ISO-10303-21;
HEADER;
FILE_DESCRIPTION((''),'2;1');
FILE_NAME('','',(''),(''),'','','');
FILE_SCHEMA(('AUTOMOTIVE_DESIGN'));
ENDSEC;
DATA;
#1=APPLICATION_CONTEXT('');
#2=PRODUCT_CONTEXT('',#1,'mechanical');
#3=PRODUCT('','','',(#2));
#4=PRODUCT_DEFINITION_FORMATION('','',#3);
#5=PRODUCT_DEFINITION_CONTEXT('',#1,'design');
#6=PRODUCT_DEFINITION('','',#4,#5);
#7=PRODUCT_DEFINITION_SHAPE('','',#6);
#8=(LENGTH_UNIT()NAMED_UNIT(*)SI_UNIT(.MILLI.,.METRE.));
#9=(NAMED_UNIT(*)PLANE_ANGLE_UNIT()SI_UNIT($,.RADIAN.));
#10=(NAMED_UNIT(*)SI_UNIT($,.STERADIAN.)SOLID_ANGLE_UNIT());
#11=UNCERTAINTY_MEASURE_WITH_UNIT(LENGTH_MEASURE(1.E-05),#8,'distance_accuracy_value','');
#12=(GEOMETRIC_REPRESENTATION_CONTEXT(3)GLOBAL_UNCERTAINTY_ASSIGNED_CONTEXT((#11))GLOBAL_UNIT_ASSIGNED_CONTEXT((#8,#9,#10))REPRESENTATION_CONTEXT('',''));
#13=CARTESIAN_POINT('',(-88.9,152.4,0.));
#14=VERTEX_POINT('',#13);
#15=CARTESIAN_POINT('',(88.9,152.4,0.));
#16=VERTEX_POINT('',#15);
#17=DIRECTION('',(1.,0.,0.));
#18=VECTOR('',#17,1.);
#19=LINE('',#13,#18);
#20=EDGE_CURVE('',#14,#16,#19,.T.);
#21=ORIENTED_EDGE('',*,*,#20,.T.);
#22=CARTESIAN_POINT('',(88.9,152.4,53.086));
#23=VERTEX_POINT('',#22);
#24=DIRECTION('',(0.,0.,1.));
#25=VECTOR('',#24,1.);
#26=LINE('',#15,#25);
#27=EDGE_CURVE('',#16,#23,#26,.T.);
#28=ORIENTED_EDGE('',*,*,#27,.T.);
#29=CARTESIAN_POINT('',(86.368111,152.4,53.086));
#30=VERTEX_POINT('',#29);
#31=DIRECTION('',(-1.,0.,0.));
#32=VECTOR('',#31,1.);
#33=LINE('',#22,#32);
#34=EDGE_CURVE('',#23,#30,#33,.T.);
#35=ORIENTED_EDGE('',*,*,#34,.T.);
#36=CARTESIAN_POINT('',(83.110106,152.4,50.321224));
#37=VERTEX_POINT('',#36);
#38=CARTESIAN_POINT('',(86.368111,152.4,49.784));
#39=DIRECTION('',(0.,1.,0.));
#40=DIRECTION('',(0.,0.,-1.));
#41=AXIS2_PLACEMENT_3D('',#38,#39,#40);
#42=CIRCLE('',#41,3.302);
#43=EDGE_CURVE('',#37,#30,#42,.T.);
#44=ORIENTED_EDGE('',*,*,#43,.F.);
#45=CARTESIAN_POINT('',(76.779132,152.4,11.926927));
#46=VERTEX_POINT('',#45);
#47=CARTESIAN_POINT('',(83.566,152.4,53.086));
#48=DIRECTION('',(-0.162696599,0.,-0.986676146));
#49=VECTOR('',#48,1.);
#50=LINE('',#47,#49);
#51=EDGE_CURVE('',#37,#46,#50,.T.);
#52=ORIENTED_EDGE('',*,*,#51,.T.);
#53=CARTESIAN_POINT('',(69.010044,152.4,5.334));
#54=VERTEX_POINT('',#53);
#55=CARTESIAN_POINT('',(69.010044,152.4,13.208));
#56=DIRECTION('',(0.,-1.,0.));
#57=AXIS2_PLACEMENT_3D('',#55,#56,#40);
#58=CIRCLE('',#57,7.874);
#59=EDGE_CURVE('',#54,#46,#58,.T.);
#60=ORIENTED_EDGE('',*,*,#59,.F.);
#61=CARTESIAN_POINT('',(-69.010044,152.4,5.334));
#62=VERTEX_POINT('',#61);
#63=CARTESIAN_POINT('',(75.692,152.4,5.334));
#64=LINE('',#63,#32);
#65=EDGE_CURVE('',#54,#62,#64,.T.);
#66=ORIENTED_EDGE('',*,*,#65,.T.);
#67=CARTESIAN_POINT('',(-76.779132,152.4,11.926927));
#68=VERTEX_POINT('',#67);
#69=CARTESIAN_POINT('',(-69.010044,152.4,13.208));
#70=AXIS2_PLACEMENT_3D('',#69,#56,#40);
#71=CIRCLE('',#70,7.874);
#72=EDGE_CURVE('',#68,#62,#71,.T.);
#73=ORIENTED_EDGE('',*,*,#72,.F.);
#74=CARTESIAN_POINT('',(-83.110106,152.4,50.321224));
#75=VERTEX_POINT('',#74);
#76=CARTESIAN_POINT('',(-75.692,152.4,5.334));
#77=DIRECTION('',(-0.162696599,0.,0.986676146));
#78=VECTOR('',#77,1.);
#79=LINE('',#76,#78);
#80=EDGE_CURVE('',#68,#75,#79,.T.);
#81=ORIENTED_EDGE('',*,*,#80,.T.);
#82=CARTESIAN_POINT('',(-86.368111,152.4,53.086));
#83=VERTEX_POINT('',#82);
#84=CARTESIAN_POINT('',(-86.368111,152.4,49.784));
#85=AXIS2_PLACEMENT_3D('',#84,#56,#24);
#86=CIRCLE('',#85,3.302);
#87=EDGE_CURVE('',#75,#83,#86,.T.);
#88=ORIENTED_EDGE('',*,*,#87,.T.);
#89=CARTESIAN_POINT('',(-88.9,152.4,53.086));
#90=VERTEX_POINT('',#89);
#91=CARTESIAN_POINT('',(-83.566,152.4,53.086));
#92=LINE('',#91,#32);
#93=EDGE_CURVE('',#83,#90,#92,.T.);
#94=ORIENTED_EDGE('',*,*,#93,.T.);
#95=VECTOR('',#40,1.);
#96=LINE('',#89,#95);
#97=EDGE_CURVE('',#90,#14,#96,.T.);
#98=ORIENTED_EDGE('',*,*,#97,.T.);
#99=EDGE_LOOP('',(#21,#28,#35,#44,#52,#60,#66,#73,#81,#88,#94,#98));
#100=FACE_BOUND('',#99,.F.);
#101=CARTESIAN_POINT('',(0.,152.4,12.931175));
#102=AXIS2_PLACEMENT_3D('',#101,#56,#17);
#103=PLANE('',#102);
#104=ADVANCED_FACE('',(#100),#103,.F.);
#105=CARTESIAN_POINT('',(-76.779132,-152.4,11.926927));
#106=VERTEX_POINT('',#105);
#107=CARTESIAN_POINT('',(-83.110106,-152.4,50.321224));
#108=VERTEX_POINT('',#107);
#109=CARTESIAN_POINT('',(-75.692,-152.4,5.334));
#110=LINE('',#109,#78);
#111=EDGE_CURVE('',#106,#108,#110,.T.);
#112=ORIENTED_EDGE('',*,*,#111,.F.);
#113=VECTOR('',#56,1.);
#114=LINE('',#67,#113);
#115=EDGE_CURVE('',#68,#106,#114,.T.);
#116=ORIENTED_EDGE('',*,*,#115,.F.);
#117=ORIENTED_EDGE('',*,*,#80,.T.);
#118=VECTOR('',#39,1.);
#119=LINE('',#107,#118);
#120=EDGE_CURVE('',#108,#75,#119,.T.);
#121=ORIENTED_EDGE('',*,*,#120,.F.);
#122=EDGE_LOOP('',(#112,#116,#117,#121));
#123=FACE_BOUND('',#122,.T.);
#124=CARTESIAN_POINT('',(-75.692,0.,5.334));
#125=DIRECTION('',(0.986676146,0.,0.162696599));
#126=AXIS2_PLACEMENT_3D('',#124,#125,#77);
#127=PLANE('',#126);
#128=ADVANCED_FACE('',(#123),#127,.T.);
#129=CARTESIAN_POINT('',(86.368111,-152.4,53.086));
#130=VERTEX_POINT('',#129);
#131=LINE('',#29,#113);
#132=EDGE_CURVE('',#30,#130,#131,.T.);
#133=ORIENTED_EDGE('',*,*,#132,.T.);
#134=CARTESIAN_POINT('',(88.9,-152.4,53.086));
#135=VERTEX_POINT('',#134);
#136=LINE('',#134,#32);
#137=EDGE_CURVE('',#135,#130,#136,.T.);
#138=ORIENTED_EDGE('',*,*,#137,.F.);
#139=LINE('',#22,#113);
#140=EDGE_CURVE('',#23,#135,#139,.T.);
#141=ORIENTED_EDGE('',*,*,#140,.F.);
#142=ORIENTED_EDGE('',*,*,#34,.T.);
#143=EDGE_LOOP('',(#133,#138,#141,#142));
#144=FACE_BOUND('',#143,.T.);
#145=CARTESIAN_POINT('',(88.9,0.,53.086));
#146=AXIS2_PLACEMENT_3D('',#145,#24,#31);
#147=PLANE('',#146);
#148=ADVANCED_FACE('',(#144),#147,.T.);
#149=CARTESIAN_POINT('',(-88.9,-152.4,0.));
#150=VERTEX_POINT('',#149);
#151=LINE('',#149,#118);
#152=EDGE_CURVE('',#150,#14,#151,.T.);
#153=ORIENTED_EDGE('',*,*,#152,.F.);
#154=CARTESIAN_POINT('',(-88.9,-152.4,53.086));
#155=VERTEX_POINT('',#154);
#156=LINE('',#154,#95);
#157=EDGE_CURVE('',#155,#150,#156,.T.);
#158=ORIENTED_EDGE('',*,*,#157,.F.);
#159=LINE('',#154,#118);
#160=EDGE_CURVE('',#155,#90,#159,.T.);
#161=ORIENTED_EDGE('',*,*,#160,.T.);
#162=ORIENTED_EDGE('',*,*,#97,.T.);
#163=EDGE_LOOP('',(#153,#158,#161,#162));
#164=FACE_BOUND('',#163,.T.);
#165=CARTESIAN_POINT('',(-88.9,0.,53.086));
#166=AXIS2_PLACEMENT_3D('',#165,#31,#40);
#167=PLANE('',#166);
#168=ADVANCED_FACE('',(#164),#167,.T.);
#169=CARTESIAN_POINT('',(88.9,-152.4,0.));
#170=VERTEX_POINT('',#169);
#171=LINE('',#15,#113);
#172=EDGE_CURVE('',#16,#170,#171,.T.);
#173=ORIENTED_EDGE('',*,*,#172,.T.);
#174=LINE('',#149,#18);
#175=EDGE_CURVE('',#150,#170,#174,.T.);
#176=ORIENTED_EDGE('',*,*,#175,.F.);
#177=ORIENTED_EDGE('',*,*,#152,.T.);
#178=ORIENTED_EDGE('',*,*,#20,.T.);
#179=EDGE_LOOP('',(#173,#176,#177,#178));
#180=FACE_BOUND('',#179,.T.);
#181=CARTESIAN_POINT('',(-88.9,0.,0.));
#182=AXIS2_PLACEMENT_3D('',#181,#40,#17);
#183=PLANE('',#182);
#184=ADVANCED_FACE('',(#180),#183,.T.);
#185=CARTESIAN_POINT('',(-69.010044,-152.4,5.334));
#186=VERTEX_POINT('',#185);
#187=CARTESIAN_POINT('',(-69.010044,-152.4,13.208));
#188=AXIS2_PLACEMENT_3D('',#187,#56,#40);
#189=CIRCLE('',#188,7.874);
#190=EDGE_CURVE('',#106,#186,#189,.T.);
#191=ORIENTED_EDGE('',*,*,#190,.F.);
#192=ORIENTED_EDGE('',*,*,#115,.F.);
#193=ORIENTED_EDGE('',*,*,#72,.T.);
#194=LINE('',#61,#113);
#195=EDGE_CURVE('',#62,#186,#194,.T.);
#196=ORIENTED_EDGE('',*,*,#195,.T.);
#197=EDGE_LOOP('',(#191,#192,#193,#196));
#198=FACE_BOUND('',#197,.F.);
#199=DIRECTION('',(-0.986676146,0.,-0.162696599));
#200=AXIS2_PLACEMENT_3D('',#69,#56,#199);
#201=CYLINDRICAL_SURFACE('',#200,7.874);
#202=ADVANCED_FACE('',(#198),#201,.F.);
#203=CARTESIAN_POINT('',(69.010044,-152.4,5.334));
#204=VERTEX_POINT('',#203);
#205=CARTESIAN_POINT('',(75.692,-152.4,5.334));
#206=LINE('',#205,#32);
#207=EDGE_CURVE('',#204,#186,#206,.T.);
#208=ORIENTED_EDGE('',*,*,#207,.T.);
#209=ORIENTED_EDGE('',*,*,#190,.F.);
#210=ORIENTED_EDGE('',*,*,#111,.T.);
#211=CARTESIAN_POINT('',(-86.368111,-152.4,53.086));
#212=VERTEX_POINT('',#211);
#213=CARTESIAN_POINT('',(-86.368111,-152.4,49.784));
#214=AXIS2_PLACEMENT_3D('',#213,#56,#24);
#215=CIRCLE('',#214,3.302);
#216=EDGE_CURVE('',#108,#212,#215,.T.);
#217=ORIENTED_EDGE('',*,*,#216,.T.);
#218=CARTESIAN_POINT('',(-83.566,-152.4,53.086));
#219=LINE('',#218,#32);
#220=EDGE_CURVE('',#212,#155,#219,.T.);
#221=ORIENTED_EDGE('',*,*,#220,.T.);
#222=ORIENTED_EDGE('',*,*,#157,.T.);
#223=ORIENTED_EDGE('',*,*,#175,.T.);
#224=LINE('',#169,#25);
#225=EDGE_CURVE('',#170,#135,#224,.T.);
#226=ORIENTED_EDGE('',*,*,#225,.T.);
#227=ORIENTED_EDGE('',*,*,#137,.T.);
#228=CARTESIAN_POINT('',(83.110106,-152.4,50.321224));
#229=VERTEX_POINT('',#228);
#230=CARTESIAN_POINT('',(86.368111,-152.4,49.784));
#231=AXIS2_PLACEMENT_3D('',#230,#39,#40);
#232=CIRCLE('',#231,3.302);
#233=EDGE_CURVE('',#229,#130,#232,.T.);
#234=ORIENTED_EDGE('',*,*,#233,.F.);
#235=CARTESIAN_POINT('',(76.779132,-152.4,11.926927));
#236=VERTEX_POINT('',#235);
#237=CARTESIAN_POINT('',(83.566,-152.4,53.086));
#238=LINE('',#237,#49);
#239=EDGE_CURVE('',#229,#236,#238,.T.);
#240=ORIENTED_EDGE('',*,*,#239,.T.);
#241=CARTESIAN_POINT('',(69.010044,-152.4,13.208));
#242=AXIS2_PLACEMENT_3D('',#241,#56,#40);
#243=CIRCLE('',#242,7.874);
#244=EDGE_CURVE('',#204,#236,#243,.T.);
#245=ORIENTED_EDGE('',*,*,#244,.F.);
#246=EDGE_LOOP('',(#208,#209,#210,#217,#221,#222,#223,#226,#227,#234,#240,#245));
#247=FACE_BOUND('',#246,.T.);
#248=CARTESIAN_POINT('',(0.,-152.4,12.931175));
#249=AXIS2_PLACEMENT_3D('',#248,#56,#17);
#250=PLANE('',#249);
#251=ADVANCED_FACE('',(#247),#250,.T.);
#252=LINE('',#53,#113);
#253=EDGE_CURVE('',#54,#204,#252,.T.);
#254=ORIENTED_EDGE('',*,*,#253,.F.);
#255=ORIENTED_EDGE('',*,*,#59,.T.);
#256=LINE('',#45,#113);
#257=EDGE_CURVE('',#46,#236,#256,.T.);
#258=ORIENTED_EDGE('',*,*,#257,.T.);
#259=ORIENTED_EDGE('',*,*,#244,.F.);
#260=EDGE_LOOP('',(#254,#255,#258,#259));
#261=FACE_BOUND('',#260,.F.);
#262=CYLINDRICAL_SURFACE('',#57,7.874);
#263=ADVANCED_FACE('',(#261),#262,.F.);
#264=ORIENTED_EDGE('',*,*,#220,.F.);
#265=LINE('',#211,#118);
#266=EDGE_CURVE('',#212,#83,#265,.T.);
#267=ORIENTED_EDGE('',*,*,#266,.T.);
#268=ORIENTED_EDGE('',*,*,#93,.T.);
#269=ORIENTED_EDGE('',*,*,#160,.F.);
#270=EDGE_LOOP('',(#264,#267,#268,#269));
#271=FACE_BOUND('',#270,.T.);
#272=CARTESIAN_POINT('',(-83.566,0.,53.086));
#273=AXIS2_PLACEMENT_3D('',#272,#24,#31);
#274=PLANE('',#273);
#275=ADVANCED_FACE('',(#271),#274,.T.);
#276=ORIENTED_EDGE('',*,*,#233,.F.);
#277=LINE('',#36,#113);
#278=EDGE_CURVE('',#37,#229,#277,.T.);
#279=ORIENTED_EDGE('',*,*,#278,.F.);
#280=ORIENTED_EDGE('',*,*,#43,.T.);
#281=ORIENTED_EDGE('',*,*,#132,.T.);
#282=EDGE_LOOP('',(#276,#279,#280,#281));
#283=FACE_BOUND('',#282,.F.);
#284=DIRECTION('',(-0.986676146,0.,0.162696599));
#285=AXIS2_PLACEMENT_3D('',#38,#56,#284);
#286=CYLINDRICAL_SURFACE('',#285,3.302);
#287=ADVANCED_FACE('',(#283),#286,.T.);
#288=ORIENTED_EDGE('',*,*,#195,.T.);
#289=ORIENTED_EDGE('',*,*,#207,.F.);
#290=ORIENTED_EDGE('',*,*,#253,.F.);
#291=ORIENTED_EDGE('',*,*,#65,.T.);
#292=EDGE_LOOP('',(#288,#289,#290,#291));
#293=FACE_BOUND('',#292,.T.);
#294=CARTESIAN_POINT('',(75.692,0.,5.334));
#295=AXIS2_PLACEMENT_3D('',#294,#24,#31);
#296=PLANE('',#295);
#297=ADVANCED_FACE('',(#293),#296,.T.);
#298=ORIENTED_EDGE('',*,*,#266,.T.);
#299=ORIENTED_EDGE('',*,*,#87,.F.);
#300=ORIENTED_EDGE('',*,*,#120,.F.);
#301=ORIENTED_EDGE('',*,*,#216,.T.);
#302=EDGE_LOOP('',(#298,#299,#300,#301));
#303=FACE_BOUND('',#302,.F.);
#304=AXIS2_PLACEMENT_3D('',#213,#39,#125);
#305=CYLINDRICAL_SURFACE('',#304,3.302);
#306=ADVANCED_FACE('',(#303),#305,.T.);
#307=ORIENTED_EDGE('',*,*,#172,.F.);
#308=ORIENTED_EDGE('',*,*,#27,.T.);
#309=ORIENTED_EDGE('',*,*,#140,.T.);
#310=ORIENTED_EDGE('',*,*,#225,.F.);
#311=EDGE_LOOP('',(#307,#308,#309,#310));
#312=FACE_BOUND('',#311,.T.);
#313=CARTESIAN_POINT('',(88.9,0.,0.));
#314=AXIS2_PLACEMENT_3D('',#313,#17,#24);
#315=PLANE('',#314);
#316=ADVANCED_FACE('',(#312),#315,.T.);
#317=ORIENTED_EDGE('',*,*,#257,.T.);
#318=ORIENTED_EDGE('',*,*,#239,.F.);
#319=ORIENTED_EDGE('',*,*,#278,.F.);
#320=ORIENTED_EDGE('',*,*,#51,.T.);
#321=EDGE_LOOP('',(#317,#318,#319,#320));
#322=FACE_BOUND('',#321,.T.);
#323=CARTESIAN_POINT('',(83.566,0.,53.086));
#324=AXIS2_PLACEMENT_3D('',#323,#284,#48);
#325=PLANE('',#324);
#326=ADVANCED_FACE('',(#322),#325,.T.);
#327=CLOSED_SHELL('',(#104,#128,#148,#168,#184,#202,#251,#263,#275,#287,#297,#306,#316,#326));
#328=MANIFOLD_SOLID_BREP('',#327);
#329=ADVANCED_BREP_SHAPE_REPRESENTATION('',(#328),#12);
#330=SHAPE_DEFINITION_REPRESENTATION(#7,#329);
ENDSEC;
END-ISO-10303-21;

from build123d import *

# Parameters (mm, degrees)
F1_DEPTH = 152.4
F2_R     = 7.874
F3_R     = 3.302


with BuildPart() as f1:
    # F0 (on Front) → F1 (new body, symmetric)
    with BuildSketch(Plane.XZ):
        Polygon((-88.9, 0), (0, 0), (88.9, 0), (88.9, 53.086), (83.566, 53.086), (75.692, 5.334), (0, 5.334), (-75.692, 5.334), (-83.566, 53.086), (-88.9, 53.086), align=None)
    extrude(amount=F1_DEPTH, both=True)

    # F2
    f2_edges = [f1.edges().sort_by_distance(p)[0] for p in [
        (-75.692, 0, 5.334),
        (75.692, 0, 5.334),
    ]]
    fillet(f2_edges, radius=F2_R)

    # F3
    f3_edges = [f1.edges().sort_by_distance(p)[0] for p in [
        (83.566, 0, 53.086),
        (-83.566, 0, 53.086),
    ]]
    fillet(f3_edges, radius=F3_R)


solid = f1.part
